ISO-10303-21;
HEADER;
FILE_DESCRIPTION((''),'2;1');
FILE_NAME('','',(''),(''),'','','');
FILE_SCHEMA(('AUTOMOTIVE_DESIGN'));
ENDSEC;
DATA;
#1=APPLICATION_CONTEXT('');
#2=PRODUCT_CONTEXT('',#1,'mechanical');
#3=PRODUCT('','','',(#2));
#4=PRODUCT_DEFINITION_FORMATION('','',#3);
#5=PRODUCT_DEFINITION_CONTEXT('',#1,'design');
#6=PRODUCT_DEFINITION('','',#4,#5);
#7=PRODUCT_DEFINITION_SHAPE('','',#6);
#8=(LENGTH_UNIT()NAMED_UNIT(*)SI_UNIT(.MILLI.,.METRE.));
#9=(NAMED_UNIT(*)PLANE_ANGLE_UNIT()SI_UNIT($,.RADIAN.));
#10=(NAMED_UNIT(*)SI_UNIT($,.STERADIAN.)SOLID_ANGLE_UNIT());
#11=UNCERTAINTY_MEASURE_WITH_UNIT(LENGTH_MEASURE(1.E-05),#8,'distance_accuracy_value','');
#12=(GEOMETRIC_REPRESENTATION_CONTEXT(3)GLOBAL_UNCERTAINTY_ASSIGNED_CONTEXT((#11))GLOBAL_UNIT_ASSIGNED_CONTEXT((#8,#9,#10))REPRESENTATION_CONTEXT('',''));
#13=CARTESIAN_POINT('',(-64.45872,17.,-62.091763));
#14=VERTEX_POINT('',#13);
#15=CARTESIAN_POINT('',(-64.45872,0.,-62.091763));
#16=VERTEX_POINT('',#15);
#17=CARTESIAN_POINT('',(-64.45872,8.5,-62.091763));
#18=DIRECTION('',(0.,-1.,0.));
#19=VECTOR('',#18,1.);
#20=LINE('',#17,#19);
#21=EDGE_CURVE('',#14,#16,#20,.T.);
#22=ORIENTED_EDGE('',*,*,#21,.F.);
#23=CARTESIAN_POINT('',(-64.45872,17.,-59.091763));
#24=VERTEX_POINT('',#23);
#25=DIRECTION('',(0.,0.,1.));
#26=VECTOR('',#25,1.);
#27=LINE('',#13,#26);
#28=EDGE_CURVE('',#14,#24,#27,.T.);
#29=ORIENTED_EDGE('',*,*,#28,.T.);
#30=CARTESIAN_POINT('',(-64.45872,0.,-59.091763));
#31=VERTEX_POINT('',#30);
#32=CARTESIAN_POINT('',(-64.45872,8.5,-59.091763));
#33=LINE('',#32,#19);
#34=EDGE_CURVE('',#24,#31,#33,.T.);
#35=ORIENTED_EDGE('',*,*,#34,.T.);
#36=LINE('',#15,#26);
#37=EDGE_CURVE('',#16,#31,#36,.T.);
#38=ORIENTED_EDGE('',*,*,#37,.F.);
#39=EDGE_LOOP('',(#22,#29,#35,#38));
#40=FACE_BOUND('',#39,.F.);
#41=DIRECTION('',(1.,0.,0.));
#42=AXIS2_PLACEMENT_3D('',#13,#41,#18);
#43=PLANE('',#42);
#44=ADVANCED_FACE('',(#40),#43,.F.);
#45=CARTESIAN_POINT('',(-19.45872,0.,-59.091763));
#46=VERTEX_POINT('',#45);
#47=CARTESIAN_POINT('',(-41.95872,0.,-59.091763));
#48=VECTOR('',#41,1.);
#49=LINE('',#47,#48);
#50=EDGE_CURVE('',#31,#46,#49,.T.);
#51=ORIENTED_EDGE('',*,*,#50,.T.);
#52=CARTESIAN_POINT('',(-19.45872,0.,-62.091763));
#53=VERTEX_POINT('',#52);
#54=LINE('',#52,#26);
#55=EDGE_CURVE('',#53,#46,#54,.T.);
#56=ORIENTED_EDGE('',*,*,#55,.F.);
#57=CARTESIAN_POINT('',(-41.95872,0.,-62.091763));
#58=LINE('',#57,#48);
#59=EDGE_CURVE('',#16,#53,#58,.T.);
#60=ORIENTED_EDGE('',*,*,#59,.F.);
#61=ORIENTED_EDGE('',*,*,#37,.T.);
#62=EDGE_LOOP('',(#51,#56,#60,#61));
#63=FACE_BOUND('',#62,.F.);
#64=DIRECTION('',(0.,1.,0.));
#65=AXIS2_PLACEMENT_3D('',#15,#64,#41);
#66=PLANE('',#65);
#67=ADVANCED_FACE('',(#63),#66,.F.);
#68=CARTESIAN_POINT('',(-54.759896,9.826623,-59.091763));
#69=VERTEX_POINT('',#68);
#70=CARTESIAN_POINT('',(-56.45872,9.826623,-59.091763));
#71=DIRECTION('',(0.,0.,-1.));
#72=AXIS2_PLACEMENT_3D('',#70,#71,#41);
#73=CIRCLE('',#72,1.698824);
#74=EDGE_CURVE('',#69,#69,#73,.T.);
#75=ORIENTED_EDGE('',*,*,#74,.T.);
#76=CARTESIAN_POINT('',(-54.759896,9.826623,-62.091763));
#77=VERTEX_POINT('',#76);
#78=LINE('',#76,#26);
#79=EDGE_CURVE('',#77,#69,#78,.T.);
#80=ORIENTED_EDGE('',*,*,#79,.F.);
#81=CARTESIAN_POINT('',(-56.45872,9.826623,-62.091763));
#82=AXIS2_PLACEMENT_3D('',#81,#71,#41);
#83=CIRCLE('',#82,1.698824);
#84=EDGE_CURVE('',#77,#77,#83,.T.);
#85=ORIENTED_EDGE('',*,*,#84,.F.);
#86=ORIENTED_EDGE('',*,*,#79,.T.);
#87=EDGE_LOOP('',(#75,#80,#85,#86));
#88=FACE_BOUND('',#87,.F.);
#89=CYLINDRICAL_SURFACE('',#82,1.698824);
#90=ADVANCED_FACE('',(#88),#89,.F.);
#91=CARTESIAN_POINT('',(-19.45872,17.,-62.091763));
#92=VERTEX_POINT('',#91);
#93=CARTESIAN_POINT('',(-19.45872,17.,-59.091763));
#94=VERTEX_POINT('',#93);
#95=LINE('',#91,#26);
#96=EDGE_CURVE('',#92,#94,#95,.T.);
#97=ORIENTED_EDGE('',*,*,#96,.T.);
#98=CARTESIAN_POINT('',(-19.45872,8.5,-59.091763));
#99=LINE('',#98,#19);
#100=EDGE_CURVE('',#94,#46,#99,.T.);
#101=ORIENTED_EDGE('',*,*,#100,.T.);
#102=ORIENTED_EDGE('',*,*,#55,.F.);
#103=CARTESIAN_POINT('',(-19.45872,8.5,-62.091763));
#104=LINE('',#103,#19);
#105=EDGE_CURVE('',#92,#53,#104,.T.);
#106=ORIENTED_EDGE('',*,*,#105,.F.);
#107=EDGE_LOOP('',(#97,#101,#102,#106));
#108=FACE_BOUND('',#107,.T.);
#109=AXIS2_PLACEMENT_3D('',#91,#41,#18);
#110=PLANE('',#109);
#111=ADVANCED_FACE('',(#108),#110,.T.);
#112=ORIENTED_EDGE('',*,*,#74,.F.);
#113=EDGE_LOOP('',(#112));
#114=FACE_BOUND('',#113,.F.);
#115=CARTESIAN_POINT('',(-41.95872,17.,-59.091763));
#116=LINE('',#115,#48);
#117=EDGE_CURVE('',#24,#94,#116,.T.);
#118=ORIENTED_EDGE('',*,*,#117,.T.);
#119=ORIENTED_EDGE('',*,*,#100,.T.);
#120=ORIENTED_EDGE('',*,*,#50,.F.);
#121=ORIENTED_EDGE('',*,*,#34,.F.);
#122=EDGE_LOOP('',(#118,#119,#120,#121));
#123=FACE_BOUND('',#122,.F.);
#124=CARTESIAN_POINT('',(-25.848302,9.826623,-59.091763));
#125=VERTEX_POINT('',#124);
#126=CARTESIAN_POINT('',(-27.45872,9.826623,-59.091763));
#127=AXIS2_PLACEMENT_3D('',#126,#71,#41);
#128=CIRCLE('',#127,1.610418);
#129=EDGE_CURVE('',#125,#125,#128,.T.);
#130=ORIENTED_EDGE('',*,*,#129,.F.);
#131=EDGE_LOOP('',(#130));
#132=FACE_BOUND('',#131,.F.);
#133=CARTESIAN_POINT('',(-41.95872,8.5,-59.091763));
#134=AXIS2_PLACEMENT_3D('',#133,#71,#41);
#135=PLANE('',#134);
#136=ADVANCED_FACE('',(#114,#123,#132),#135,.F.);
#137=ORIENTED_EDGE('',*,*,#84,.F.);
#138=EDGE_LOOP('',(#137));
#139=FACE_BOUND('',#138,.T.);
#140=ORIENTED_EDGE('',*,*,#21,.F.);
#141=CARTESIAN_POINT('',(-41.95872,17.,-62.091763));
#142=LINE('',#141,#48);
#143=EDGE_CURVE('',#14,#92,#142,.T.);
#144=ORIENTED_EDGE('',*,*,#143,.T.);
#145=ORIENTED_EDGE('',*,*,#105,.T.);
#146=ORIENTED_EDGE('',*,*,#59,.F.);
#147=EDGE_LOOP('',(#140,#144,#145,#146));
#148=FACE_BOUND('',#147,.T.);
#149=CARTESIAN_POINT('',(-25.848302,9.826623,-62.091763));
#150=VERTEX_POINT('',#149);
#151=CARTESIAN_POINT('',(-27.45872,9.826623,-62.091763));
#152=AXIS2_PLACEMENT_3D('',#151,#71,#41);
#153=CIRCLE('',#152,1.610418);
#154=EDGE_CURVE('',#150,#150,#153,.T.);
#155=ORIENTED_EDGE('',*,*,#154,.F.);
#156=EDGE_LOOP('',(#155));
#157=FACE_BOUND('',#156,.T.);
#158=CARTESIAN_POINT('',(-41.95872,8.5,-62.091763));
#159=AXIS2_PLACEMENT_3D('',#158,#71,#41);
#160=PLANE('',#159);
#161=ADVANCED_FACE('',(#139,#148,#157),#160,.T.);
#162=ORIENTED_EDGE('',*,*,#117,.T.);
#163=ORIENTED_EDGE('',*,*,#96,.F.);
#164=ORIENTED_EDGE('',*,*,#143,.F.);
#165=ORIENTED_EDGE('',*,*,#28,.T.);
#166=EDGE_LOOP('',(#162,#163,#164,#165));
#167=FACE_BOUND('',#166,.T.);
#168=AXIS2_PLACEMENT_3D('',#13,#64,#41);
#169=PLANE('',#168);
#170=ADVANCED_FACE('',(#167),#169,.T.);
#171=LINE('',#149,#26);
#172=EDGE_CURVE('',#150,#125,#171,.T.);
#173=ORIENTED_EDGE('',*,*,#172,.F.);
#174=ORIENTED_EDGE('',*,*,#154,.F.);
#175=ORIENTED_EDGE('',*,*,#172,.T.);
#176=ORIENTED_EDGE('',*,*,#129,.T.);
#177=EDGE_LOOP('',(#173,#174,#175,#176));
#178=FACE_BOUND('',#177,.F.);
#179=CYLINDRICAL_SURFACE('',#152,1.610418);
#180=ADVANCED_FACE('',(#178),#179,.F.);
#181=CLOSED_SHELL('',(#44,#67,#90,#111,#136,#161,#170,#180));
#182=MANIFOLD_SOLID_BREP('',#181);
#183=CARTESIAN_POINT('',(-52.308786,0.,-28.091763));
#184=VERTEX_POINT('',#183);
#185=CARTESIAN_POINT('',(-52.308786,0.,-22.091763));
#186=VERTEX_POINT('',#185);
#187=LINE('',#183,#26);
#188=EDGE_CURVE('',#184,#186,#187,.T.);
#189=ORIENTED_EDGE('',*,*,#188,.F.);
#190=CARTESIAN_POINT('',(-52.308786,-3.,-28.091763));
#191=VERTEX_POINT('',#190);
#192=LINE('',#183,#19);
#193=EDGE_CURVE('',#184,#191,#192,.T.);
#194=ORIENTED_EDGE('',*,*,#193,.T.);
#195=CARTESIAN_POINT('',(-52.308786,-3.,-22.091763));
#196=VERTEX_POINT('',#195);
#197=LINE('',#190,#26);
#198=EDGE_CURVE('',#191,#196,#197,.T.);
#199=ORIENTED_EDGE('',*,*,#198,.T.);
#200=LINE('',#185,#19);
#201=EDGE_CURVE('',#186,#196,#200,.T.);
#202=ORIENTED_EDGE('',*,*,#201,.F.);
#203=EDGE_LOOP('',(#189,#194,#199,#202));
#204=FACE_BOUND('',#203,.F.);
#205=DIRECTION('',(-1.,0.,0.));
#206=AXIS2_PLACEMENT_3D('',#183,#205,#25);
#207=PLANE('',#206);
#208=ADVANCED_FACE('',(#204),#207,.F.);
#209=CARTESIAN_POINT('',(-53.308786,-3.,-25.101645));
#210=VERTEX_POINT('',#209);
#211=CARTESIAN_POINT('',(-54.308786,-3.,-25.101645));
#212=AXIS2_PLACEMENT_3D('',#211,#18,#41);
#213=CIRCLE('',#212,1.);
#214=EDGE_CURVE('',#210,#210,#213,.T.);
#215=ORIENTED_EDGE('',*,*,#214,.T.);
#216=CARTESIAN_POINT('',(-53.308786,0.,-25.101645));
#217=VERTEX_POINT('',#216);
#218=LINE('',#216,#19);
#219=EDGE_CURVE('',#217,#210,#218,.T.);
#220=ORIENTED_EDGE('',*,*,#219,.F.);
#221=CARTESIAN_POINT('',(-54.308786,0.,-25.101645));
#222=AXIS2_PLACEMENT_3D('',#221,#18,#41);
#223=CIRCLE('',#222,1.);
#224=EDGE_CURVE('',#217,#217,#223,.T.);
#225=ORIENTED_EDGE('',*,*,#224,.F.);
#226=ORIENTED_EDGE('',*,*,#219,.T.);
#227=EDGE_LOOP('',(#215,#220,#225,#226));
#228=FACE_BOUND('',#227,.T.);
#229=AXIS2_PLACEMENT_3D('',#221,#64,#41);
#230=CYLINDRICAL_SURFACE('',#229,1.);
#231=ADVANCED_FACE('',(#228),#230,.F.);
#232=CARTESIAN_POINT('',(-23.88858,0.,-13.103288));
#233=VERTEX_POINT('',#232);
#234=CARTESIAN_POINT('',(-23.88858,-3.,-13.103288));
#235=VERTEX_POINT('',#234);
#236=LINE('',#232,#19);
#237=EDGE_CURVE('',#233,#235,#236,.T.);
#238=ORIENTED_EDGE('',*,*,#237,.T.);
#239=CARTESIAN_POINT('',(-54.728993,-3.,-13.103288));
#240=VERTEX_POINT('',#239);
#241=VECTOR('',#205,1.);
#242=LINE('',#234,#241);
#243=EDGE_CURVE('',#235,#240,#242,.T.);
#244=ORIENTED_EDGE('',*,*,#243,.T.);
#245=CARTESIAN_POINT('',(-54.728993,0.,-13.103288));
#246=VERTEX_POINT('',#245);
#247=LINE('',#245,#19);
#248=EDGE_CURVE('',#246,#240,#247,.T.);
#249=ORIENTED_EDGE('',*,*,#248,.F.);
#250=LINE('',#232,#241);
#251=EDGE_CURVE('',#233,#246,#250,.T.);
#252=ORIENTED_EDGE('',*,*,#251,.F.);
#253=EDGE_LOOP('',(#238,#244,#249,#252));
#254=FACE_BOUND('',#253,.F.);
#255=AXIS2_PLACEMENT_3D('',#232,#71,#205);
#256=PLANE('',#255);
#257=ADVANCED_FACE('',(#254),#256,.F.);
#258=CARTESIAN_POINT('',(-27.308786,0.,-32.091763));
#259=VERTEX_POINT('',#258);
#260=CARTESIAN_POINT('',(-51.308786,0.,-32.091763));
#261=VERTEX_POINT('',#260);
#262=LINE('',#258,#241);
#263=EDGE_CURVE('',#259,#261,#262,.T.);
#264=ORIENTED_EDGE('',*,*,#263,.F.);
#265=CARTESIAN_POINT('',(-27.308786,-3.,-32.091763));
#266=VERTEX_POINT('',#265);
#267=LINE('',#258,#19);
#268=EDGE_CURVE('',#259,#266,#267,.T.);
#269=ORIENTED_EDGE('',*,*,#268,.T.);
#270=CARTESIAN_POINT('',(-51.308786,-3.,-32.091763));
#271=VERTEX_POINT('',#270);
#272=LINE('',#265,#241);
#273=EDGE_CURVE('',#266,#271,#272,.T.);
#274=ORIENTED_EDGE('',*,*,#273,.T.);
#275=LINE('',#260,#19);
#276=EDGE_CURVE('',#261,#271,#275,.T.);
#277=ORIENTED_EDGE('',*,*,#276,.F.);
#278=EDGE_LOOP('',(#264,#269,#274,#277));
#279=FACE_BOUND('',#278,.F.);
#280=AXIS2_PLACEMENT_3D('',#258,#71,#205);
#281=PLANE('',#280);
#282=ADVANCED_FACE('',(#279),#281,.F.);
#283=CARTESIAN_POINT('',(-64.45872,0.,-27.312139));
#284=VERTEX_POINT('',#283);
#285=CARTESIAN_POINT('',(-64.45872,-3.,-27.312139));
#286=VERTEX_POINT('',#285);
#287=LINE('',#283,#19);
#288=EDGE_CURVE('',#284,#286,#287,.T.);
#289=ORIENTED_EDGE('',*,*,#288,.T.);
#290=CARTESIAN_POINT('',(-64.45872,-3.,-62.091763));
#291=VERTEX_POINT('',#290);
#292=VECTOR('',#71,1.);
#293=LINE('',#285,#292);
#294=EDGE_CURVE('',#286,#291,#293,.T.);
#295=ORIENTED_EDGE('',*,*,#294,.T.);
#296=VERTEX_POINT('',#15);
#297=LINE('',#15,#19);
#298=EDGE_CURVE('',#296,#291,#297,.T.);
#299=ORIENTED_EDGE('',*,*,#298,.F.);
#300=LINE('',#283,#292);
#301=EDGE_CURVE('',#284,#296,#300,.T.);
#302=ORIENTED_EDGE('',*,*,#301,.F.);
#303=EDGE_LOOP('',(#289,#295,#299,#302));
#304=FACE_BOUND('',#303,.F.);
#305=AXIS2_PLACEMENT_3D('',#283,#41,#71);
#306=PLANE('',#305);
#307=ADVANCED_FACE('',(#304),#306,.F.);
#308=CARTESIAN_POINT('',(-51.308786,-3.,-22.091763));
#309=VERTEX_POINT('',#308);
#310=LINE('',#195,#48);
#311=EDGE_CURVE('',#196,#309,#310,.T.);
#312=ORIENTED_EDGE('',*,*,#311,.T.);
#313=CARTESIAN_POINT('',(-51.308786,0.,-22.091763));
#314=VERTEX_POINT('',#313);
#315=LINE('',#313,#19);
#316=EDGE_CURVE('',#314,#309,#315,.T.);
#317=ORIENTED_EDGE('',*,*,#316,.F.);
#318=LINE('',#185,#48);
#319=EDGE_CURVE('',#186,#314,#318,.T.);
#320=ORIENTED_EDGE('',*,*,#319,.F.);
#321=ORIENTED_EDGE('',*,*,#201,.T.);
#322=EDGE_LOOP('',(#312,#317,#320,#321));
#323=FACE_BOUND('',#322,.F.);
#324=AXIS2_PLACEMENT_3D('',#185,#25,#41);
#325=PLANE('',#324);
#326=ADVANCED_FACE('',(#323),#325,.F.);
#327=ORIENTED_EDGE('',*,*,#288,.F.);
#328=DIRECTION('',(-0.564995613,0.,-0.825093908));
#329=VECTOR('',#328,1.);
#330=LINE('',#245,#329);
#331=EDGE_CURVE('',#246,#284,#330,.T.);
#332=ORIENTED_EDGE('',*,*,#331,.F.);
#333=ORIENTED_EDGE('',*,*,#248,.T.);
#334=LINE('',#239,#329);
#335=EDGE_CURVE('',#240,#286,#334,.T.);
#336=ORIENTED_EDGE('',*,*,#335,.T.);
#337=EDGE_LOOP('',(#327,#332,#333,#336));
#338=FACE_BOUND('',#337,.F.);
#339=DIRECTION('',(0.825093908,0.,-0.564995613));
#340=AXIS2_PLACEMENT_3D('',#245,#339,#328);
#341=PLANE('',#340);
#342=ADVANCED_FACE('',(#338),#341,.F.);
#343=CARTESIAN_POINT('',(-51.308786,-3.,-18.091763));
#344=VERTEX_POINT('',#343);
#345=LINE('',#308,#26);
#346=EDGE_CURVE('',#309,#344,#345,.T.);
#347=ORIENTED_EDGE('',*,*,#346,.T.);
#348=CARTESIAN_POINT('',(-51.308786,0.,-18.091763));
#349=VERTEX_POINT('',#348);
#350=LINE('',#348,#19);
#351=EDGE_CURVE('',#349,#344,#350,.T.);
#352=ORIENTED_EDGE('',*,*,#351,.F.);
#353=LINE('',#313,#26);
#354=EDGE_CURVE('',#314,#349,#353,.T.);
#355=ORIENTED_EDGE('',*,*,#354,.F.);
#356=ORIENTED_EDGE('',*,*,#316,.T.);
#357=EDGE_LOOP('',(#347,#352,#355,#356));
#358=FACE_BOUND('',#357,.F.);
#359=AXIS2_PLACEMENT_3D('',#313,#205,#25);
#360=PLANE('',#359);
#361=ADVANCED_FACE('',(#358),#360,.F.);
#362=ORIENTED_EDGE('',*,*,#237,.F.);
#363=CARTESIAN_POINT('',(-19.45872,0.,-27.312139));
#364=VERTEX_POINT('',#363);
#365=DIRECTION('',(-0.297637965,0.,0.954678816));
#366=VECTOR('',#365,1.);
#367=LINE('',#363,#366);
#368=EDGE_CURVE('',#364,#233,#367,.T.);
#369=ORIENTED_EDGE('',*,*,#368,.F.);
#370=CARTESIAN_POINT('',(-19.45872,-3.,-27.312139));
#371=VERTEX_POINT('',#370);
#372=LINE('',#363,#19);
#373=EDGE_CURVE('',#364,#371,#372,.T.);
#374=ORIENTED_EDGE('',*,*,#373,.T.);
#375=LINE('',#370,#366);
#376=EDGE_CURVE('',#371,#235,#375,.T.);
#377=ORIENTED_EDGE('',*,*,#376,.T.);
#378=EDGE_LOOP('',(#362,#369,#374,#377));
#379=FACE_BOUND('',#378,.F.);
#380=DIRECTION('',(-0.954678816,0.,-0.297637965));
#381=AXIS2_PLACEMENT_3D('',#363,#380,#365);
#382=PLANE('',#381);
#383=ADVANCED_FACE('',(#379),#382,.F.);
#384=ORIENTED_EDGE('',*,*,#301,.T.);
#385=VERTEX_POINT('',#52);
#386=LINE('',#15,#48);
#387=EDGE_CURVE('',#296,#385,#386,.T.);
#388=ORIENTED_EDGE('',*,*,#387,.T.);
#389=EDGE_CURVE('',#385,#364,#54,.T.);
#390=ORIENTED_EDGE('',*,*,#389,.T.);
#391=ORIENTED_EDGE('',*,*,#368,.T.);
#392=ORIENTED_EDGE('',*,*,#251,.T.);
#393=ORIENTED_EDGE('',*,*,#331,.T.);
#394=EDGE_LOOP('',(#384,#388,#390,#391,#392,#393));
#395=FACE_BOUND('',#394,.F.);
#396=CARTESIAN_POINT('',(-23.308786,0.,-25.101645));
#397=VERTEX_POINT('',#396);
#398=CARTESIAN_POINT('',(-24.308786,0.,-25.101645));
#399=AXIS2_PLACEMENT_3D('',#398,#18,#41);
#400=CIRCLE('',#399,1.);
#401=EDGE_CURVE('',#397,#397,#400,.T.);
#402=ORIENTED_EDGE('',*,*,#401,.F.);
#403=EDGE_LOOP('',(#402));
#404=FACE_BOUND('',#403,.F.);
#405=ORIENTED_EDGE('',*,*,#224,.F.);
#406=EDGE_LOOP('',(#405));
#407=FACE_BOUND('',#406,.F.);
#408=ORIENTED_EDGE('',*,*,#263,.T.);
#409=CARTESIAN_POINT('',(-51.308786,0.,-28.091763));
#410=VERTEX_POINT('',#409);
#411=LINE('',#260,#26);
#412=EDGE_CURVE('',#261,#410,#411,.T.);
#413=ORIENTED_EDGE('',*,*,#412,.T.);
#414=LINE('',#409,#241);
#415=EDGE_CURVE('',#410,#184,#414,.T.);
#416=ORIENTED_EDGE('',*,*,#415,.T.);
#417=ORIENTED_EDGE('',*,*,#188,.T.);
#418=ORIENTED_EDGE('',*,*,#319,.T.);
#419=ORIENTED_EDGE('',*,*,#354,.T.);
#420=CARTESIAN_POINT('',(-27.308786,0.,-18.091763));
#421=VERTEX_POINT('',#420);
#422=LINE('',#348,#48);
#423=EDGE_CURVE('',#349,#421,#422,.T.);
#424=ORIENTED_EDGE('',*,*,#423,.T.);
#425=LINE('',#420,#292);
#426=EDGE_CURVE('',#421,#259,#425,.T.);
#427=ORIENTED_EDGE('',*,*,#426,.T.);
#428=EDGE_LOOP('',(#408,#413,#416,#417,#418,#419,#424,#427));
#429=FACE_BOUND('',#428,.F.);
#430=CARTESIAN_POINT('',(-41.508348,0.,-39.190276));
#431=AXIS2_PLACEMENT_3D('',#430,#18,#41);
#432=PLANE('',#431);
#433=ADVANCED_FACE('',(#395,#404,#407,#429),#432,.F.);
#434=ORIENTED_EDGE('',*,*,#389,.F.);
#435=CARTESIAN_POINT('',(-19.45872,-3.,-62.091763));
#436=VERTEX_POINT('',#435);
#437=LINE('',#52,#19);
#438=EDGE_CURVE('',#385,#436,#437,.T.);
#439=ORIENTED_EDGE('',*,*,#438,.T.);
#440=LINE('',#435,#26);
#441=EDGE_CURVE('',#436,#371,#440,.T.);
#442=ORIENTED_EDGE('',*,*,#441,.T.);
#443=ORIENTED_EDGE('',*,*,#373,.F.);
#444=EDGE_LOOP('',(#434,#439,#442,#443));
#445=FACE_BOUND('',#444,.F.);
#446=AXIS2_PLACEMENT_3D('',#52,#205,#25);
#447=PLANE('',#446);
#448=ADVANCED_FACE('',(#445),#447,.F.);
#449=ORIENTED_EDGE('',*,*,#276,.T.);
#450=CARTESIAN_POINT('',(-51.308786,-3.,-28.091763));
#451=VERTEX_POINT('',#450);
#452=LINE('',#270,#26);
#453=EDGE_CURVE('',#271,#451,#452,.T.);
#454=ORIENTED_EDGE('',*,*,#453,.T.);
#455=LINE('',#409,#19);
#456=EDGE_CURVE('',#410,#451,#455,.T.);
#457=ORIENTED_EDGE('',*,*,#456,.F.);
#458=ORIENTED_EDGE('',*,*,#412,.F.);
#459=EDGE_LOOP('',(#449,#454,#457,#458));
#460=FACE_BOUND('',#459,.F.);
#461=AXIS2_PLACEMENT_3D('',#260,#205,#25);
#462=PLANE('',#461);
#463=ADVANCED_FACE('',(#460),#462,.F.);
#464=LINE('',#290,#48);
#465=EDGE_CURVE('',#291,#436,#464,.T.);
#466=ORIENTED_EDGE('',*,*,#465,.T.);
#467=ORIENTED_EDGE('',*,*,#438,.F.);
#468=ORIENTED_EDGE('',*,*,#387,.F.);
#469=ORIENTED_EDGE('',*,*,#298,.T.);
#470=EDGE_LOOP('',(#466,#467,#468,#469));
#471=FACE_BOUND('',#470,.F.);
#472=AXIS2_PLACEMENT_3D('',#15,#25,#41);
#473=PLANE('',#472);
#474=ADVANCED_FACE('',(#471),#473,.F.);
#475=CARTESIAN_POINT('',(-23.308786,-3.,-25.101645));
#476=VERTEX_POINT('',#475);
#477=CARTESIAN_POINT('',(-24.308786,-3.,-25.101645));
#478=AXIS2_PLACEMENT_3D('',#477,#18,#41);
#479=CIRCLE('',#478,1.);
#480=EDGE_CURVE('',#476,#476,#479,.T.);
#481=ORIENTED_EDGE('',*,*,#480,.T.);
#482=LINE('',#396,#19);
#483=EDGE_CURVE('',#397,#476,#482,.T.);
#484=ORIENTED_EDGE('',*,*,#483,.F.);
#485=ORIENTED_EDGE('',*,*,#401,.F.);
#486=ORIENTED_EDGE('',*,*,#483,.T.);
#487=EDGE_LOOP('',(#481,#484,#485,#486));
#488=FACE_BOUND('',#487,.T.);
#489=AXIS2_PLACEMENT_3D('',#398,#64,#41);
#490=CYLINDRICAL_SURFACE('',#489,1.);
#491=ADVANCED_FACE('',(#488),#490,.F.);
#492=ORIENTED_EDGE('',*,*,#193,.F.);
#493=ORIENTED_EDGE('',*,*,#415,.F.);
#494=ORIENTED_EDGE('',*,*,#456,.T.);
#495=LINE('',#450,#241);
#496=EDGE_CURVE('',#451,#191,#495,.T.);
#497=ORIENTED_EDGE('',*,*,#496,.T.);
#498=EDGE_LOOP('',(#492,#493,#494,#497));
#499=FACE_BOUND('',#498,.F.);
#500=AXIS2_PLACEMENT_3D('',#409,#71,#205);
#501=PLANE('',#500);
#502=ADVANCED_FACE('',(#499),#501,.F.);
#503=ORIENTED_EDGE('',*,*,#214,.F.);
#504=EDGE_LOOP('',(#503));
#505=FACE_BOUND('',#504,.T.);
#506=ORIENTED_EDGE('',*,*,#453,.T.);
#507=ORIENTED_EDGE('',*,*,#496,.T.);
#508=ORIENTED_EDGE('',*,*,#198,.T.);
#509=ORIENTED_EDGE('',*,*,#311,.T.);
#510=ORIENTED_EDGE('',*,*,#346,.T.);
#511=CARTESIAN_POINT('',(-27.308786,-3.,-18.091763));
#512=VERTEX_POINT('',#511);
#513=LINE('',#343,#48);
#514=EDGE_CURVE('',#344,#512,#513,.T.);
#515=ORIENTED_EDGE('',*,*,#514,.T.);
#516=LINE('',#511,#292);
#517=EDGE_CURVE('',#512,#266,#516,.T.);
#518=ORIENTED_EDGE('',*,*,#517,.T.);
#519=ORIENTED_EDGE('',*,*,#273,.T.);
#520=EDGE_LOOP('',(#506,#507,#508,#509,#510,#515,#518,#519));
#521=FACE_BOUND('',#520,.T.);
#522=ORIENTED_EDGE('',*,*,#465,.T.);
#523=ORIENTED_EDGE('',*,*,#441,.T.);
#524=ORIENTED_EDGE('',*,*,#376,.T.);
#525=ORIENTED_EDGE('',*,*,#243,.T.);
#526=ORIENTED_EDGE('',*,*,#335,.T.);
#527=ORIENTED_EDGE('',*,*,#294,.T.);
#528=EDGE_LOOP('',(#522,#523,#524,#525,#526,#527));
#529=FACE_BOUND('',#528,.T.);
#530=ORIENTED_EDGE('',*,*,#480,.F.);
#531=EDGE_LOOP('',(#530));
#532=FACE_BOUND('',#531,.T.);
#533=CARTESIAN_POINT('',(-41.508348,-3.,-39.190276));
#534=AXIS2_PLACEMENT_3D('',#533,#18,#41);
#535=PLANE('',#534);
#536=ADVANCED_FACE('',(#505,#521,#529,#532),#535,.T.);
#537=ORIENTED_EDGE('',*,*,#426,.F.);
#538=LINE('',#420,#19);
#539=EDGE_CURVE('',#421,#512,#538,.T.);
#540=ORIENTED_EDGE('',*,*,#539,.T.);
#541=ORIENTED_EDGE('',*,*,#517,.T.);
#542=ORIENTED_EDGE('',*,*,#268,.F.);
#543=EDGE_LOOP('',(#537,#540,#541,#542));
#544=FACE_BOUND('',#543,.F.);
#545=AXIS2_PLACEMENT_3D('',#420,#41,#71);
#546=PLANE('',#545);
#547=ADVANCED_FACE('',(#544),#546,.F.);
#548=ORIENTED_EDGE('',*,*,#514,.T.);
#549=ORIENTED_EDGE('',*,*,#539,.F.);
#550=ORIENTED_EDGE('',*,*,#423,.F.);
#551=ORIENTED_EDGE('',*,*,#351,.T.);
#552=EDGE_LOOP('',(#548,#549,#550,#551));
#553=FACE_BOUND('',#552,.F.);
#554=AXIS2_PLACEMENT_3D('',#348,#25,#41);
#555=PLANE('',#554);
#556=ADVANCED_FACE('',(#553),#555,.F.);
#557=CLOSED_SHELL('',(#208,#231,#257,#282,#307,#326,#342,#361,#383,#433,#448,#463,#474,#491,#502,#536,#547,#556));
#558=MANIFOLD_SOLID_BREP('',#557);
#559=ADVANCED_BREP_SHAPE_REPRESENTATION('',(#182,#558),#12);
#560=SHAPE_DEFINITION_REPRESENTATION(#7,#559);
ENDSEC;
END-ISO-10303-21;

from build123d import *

# Parameters (mm, degrees)
F0_R     = 1
F1_DEPTH = 3
F2_W     = 45
F2_H     = 17
F2_R     = 1.698824
F2_R_2   = 1.610418
F3_DEPTH = 3


with BuildPart() as f1:
    # F0 (on Front) → F1 (new body)
    with BuildSketch(Plane.XZ):
        Polygon((-64.45872, -27.312139), (-64.45872, -62.091763), (-19.45872, -62.091763), (-19.45872, -60.003541), (-19.45872, -27.312139), (-23.88858, -13.103288), (-54.728993, -13.103288), align=None)
        with Locations((-54.308786, -25.101645)):
            Circle(F0_R, mode=Mode.SUBTRACT)
        Polygon((-51.308786, -22.091763), (-51.308786, -18.091763), (-27.308786, -18.091763), (-27.308786, -32.091763), (-51.308786, -32.091763), (-51.308786, -28.091763), (-52.308786, -28.091763), (-52.308786, -22.091763), align=None, mode=Mode.SUBTRACT)
        with Locations((-24.308786, -25.101645)):
            Circle(F0_R, mode=Mode.SUBTRACT)
    extrude(amount=F1_DEPTH)


with BuildPart() as f3:
    # F2 (on face) → F3 (new body)
    with BuildSketch(Plane(origin=(0, 0, -62.091763), x_dir=(1, 0, 0), z_dir=(0, 0, -1))):
        with Locations((-41.95872, -8.5)):
            Rectangle(F2_W, F2_H)
        with Locations((-56.45872, -9.826623)):
            Circle(F2_R, mode=Mode.SUBTRACT)
        with Locations((-27.45872, -9.826623)):
            Circle(F2_R_2, mode=Mode.SUBTRACT)
    extrude(amount=-F3_DEPTH)


solid = Compound([f1.part, f3.part])
